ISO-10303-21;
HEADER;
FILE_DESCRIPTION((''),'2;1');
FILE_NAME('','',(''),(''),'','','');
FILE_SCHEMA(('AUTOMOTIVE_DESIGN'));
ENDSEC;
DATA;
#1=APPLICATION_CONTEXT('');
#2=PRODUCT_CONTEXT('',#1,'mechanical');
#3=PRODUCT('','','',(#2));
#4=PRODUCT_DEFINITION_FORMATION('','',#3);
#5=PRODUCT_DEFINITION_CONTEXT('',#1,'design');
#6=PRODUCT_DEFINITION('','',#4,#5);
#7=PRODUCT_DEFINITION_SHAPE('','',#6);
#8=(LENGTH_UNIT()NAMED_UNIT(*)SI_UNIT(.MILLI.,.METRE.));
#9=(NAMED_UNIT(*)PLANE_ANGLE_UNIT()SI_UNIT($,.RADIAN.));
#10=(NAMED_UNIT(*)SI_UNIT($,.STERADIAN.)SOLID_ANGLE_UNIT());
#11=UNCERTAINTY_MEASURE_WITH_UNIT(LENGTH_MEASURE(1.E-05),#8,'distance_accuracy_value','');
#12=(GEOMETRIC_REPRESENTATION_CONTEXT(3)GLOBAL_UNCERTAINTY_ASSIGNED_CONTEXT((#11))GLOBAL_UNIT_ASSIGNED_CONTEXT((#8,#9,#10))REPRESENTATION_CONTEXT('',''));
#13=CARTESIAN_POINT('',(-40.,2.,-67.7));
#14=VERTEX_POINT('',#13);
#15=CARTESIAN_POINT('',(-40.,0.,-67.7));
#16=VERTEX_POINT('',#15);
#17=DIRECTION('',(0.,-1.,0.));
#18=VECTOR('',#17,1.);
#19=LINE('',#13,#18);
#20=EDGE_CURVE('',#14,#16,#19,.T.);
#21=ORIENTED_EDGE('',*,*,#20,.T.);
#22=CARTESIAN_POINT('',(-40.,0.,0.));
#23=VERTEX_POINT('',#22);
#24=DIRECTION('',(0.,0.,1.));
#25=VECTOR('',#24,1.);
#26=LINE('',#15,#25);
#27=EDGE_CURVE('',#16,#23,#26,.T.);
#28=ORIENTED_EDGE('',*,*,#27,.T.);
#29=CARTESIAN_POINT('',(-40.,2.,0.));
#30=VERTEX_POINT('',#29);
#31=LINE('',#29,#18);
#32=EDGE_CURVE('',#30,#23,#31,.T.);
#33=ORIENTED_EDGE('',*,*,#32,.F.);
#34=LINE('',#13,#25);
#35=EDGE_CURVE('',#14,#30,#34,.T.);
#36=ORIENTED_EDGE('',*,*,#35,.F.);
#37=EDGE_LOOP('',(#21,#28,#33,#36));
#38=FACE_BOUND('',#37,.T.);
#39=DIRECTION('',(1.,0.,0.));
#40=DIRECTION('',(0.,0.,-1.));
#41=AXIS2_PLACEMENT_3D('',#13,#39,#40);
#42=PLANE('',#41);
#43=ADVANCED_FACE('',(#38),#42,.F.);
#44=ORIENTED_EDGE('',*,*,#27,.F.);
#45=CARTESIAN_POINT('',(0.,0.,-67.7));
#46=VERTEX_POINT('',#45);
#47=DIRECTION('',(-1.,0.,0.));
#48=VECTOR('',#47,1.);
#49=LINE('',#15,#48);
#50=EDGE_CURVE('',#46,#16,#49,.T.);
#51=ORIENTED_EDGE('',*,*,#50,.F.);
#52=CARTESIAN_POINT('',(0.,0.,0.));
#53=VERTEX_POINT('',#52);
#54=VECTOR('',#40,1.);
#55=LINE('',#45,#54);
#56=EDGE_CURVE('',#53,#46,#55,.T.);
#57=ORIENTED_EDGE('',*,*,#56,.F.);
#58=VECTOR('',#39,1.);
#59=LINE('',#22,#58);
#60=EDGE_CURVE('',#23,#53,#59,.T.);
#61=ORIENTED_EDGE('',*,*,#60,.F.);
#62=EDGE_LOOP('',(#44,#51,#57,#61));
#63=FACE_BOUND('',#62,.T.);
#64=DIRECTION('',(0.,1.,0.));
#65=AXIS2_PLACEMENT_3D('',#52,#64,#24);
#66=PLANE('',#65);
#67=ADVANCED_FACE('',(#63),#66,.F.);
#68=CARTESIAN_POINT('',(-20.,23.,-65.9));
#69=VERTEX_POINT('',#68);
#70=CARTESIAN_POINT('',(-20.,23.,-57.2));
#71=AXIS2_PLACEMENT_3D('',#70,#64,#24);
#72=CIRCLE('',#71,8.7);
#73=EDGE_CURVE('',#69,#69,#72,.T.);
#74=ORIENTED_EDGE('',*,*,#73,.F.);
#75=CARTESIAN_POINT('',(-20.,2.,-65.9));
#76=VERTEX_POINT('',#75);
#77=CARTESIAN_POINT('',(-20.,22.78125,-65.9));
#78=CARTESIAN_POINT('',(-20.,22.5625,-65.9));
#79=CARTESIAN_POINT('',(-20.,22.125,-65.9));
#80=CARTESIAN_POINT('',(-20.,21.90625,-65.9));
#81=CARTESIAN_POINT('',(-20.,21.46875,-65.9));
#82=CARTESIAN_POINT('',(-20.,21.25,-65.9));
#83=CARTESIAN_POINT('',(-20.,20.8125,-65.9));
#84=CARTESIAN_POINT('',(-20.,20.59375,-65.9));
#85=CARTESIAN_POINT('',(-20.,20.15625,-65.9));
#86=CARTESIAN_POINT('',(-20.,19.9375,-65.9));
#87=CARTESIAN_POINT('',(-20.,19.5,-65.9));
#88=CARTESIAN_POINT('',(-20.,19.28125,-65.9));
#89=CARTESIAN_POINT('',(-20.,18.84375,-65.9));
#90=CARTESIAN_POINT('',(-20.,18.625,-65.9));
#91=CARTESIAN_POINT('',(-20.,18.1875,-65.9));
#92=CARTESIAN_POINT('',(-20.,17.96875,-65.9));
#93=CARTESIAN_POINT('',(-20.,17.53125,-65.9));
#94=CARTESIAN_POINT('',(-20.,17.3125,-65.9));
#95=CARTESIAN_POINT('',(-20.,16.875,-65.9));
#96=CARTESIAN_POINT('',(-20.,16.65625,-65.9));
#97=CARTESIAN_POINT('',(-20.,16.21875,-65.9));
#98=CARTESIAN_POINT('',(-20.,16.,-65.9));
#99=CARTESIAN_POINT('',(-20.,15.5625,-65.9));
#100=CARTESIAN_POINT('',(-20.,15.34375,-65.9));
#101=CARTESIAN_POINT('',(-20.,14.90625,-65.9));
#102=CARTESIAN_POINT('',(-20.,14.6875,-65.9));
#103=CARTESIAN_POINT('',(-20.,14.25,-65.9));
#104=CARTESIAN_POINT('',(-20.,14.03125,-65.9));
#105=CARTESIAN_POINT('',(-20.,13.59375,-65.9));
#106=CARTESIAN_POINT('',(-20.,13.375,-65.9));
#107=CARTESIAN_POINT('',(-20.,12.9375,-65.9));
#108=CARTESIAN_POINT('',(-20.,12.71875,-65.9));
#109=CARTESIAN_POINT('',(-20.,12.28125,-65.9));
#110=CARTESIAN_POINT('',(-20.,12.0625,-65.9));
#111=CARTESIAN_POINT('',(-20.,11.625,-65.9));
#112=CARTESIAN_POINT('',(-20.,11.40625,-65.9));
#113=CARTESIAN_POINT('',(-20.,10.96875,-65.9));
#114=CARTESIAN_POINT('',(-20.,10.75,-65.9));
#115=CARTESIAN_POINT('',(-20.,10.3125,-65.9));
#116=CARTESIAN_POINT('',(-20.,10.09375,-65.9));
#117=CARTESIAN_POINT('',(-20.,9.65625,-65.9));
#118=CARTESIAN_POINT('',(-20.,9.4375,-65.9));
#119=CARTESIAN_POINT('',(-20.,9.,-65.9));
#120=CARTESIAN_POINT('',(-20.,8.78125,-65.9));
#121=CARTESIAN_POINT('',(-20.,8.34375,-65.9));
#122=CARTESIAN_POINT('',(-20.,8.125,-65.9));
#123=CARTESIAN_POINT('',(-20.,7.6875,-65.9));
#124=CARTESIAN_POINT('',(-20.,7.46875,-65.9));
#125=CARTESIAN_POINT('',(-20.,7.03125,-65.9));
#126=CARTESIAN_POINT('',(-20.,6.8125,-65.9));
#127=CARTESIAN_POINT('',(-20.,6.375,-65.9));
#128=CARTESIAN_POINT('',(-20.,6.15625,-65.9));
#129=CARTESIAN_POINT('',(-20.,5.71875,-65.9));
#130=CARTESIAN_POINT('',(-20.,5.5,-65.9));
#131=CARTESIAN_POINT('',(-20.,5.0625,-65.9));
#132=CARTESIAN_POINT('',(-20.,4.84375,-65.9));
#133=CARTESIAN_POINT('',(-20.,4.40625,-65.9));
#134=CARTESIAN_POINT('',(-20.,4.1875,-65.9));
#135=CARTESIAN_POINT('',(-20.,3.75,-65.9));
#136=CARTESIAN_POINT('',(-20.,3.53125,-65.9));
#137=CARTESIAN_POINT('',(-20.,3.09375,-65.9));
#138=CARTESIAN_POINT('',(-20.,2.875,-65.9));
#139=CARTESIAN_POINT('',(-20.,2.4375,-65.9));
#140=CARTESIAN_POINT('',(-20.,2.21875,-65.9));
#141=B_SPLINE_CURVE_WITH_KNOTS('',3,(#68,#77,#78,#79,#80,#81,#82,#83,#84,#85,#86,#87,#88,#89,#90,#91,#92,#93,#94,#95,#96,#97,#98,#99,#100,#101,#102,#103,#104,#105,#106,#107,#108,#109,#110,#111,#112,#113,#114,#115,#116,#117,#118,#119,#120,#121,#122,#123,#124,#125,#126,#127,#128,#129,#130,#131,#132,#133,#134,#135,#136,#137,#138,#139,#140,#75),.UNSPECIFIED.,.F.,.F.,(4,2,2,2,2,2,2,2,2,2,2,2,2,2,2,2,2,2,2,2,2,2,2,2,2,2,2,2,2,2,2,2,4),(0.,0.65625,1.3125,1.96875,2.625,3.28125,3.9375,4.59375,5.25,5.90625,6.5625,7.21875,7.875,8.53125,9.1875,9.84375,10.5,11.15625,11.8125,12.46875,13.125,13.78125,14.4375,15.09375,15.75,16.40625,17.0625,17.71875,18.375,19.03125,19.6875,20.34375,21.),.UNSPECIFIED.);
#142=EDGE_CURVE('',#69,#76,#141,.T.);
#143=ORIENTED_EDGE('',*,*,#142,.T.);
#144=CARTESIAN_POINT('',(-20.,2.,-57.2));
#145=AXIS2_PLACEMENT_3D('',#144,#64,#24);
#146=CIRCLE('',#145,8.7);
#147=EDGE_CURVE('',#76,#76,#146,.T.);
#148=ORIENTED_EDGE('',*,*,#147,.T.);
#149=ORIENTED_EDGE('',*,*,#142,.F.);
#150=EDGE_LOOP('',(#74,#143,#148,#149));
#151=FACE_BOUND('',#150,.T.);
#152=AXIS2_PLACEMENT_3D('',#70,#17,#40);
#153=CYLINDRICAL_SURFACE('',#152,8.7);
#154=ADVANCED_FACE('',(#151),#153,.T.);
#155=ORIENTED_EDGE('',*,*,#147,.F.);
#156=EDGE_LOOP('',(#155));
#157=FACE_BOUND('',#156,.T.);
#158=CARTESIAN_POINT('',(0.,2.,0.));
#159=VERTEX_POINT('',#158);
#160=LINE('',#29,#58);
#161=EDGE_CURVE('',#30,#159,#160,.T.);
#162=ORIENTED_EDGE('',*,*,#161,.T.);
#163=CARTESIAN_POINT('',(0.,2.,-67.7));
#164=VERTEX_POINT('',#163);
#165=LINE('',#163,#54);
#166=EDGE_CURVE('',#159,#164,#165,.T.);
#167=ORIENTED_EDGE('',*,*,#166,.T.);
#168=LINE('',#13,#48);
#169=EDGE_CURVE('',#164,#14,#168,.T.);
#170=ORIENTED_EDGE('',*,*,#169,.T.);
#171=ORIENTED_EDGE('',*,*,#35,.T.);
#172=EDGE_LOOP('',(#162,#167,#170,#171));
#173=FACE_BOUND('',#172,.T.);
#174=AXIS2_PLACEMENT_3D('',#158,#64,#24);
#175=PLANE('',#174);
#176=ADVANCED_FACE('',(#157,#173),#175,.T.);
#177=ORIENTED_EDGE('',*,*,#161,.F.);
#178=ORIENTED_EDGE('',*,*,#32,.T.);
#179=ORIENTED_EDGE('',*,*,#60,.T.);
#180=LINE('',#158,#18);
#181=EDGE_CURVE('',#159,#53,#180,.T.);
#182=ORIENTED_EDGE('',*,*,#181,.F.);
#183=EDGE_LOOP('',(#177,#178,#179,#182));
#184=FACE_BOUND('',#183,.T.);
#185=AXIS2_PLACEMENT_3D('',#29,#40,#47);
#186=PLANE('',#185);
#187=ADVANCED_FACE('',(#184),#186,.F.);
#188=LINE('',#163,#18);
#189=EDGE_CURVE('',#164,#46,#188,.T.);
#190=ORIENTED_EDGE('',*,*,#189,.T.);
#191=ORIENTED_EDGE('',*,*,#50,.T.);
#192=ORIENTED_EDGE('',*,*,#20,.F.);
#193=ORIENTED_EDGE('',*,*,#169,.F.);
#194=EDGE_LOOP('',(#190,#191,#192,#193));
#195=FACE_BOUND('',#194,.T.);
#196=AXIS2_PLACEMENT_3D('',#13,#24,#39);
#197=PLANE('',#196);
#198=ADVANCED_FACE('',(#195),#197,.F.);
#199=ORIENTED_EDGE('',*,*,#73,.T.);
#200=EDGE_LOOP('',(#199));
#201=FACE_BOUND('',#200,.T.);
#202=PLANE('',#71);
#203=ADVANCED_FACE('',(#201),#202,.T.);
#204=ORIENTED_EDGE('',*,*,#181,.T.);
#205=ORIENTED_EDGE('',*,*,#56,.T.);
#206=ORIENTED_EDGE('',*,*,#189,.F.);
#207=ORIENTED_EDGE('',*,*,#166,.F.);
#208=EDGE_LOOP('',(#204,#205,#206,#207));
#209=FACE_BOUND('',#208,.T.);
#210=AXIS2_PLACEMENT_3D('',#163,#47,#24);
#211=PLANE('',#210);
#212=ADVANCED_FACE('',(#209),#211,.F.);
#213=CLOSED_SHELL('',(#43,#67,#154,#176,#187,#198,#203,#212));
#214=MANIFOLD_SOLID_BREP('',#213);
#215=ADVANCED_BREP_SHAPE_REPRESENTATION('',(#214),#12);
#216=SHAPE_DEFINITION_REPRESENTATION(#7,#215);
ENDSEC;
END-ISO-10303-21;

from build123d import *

# Parameters (mm, degrees)
SKETCH1_W           = 40
SKETCH1_H           = 67.7
BOSS_EXTRUDE1_DEPTH = 2
SKETCH2_R           = 8.7
BOSS_EXTRUDE2_DEPTH = 21


with BuildPart() as part:
    # Sketch1 → Boss-Extrude1 (new body)
    with BuildSketch(Plane(origin=(0, 0, 0), x_dir=(1, 0, 0), z_dir=(0, 1, 0))):
        with Locations((-20, 33.85)):
            Rectangle(SKETCH1_W, SKETCH1_H)
    extrude(amount=BOSS_EXTRUDE1_DEPTH)

    # Sketch2 → Boss-Extrude2 (add)
    with BuildSketch(Plane(origin=(0, 2, 0), x_dir=(1, 0, 0), z_dir=(0, 1, 0))):
        with Locations(Location((-20, 57.2, 0), (0, 0, 90))):
            Circle(SKETCH2_R)
    extrude(amount=BOSS_EXTRUDE2_DEPTH)


solid = part.part
